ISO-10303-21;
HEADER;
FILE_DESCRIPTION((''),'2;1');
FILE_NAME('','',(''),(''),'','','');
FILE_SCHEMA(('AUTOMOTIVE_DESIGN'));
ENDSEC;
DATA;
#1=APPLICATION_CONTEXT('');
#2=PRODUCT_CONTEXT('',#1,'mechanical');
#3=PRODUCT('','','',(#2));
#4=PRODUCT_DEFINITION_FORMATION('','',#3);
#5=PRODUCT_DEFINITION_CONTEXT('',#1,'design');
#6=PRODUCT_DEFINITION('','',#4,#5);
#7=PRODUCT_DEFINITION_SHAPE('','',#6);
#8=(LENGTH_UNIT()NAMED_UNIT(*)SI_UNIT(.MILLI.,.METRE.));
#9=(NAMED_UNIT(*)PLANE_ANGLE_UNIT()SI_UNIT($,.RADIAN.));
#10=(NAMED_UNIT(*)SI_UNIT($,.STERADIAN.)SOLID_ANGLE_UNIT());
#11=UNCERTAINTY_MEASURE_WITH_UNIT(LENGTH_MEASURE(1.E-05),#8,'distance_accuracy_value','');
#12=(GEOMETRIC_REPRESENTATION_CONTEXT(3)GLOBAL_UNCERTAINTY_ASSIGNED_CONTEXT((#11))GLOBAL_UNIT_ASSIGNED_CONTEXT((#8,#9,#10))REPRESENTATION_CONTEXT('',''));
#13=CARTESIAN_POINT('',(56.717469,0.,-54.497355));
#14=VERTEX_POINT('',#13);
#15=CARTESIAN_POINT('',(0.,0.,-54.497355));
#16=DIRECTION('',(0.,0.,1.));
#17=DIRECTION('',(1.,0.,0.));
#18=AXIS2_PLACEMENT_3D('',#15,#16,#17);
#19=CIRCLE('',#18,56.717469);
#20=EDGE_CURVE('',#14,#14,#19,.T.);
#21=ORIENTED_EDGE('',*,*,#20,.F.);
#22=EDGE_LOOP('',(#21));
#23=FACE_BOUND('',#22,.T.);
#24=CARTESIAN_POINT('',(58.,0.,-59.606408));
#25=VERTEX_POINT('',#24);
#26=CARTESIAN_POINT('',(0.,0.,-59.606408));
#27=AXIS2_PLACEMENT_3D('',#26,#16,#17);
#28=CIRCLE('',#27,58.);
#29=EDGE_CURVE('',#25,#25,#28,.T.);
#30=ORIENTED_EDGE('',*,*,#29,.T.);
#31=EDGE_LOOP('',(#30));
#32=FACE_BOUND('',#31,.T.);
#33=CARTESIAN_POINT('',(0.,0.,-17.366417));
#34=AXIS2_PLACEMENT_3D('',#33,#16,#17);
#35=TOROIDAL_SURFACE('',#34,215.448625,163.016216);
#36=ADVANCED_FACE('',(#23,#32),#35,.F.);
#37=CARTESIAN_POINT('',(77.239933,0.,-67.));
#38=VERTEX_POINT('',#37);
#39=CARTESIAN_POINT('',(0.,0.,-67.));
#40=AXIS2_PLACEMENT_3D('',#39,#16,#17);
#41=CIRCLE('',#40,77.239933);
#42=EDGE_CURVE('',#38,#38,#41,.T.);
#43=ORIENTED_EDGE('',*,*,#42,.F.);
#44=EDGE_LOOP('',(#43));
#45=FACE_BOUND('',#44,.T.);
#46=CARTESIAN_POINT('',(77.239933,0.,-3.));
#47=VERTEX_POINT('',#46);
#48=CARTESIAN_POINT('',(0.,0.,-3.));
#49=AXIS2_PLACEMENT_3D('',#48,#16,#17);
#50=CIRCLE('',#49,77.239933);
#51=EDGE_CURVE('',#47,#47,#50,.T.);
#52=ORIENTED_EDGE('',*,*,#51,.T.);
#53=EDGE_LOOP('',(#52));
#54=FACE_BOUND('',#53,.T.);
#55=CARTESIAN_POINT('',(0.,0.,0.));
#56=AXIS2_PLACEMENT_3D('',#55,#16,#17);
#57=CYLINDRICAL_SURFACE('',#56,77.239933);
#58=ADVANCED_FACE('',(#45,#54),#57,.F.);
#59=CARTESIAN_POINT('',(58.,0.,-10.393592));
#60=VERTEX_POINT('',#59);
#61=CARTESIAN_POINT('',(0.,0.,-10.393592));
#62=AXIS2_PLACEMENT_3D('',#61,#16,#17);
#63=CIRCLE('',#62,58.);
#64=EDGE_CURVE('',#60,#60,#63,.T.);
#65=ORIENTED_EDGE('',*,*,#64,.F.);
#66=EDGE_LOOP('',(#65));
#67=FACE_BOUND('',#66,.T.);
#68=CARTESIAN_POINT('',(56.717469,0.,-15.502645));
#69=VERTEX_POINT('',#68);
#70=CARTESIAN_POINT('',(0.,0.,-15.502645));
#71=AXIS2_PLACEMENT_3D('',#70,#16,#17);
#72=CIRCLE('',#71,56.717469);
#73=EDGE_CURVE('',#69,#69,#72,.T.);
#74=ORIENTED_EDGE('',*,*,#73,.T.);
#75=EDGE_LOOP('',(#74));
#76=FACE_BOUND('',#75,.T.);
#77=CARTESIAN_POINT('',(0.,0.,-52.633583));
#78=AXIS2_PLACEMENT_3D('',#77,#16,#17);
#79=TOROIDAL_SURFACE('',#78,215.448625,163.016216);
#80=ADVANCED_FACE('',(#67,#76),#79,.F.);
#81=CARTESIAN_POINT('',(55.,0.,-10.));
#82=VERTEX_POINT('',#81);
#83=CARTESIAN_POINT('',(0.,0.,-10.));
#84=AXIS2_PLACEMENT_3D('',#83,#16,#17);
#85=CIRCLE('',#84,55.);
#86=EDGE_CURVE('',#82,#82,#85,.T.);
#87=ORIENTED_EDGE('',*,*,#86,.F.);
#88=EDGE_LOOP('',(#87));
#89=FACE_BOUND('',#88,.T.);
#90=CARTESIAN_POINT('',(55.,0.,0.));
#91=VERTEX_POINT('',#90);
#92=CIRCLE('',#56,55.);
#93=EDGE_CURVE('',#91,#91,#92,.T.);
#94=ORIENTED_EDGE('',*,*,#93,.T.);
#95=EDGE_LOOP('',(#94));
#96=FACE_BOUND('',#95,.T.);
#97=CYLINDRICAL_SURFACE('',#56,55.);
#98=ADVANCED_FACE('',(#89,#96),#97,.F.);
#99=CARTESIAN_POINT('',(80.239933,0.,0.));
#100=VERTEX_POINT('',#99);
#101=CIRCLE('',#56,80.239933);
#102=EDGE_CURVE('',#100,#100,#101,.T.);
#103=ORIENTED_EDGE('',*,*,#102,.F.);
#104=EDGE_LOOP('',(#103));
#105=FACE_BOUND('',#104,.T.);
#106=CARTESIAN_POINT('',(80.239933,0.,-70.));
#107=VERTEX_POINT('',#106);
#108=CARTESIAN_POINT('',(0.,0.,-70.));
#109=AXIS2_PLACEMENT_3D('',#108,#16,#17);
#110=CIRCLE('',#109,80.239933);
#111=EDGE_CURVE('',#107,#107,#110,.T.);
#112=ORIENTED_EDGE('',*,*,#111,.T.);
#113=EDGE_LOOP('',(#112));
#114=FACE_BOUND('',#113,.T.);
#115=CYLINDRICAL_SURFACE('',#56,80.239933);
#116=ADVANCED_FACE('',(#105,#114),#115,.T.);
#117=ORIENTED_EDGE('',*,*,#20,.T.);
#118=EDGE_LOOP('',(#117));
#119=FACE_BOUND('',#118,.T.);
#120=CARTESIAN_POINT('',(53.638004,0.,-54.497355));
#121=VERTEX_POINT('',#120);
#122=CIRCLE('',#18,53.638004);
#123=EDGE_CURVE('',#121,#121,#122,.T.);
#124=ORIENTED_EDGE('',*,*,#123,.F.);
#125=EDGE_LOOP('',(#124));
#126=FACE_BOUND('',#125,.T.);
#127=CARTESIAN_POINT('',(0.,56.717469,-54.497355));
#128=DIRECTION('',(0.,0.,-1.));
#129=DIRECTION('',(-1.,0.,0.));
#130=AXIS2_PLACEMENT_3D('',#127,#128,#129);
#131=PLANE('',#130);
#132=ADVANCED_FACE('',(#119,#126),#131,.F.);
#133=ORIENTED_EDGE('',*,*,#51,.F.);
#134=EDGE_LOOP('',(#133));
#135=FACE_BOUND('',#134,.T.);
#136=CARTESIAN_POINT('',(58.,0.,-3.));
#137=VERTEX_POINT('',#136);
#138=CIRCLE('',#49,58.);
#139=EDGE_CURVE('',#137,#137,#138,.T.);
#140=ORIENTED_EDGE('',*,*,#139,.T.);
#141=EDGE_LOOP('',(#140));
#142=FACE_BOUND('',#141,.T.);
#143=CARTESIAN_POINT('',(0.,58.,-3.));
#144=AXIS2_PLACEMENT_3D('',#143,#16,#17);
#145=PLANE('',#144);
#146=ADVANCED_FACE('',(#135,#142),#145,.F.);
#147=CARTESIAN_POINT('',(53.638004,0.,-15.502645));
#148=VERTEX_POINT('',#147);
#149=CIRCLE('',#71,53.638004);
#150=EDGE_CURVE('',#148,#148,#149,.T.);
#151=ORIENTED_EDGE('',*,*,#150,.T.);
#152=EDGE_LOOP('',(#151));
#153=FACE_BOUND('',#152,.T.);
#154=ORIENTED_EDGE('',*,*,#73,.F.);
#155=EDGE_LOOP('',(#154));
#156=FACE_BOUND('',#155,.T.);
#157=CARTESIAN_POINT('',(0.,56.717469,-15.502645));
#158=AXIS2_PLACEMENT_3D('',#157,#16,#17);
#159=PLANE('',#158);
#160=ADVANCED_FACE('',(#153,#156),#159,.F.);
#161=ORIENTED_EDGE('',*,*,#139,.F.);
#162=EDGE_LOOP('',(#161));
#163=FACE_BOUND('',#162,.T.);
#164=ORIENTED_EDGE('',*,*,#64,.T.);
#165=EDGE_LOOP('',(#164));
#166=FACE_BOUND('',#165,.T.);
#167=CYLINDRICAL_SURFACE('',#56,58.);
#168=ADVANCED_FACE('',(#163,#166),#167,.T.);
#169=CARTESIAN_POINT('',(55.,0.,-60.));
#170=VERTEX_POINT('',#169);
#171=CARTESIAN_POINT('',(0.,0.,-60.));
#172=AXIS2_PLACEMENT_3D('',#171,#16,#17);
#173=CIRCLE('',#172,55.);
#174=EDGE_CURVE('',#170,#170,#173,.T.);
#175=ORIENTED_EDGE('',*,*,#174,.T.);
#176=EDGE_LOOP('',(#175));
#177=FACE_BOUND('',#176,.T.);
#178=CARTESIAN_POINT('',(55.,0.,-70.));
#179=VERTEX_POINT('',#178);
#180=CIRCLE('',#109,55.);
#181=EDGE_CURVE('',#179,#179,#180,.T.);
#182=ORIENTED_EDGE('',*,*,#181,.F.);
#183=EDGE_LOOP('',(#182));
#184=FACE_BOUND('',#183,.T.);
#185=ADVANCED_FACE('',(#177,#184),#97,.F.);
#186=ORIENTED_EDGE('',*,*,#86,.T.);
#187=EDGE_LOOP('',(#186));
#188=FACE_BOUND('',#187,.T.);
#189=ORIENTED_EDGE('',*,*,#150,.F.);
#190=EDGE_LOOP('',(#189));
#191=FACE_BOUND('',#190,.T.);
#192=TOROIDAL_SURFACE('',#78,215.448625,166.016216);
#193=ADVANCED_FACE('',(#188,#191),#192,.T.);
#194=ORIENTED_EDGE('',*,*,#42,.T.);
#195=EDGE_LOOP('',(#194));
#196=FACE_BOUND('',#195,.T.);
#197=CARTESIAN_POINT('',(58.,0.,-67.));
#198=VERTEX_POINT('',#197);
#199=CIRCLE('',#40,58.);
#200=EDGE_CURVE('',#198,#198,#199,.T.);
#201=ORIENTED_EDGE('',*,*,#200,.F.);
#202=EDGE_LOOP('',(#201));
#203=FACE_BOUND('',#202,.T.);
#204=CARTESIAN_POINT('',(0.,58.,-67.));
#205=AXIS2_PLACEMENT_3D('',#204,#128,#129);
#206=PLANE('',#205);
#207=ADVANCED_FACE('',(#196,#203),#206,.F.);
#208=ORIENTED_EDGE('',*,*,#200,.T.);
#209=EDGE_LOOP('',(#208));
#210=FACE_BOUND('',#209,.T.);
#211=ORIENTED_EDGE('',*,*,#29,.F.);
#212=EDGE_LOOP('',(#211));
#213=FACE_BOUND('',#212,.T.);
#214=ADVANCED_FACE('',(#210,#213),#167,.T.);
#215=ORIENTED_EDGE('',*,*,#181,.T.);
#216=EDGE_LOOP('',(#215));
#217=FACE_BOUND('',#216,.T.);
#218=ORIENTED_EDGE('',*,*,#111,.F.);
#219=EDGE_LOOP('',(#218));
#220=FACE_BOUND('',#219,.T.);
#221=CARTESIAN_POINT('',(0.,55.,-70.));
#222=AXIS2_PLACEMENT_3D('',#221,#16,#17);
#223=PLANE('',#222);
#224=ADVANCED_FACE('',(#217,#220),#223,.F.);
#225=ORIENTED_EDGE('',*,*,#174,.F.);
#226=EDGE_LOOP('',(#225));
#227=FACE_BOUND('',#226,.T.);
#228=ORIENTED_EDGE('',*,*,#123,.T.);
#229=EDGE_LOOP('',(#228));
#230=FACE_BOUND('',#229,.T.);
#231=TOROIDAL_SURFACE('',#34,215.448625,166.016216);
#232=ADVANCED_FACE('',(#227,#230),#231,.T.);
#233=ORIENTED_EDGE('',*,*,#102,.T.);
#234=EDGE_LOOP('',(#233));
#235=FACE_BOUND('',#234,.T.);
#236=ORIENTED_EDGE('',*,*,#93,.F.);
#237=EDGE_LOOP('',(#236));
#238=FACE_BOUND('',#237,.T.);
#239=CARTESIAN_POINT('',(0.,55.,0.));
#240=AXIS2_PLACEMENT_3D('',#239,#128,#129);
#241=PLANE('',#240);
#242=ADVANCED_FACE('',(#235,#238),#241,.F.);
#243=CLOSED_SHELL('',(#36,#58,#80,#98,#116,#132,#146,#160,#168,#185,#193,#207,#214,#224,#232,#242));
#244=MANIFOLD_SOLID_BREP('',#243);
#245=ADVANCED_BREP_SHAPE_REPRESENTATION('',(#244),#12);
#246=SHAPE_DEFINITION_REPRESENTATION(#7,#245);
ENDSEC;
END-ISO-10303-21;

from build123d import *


with BuildPart() as part:
    # 草圖4 → 旋轉1 (revolve)
    with BuildSketch(Plane(origin=(0, 0, 0), x_dir=(0, 0, -1), z_dir=(1, 0, 0)), mode=Mode.PRIVATE) as revolve_1_sk:
        with BuildLine():
            Line((0, 55), (10, 55))
            ThreePointArc((10, 55), (12.745508857, 54.295513936), (15.502645054, 53.638003865))
            Line((15.502645054, 53.638003865), (15.502645054, 56.7174692))
            ThreePointArc((15.502645054, 56.7174692), (12.942937744, 57.338097036), (10.393591772, 58))
            Line((10.393591772, 58), (3, 58))
            Line((3, 58), (3, 77.239932534))
            Line((3, 77.239932534), (67, 77.239932534))
            Line((67, 77.239932534), (67, 58))
            Line((67, 58), (59.606408228, 58))
            ThreePointArc((59.606408228, 58), (57.057062256, 57.338097036), (54.497354946, 56.7174692))
            Line((54.497354946, 56.7174692), (54.497354946, 53.638003865))
            ThreePointArc((54.497354946, 53.638003865), (57.254491143, 54.295513936), (60, 55))
            Line((60, 55), (70, 55))
            Line((70, 55), (70, 80.239932534))
            Line((70, 80.239932534), (0, 80.239932534))
            Line((0, 80.239932534), (0, 55))
        make_face()
    revolve(revolve_1_sk.sketch.rotate(Axis((0, 0, 0), (0, 0, -1)), 90), axis=Axis((0, 0, 0), (0, 0, -1)))


solid = part.part
